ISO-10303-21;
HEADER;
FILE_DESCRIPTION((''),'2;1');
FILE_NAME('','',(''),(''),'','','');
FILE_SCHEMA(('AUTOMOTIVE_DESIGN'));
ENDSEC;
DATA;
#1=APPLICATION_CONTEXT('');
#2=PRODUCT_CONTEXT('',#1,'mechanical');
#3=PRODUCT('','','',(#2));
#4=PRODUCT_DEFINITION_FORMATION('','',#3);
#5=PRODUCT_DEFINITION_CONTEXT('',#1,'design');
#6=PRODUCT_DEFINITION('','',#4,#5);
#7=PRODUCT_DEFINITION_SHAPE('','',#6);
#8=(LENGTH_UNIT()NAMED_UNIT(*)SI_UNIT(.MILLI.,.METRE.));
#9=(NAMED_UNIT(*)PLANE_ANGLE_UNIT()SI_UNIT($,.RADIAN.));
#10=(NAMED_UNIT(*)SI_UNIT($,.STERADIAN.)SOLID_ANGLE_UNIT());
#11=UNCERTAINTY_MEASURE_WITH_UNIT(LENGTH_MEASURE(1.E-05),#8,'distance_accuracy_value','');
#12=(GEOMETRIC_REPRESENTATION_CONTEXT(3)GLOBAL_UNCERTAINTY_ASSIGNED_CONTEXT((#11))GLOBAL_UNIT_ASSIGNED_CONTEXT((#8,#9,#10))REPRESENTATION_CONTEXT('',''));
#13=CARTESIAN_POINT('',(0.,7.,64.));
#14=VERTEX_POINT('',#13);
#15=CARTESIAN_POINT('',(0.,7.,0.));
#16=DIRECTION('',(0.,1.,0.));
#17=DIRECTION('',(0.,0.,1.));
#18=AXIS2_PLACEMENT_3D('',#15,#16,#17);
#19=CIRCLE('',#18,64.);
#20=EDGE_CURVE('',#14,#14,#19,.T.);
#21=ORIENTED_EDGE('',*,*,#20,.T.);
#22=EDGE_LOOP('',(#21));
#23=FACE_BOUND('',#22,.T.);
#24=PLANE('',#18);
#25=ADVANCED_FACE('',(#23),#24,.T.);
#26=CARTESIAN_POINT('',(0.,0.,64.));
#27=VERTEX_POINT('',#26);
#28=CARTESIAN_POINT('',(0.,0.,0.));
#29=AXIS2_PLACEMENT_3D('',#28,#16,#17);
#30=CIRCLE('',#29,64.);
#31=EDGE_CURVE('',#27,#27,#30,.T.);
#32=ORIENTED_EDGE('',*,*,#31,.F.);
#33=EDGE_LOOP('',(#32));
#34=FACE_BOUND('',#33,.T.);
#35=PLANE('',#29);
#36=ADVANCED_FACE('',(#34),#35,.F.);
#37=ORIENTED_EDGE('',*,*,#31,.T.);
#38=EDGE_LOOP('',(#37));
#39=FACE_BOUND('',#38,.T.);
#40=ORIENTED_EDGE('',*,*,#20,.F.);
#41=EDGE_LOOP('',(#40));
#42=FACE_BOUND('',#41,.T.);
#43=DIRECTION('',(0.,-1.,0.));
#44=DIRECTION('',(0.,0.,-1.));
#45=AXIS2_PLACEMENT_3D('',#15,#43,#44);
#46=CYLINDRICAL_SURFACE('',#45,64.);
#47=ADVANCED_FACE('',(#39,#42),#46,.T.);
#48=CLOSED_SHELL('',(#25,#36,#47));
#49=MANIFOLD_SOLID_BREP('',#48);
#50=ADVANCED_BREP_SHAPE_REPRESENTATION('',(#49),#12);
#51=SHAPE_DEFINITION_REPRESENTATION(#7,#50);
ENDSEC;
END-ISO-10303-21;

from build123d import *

# Parameters (mm, degrees)
SKETCH1_R           = 64
BOSS_EXTRUDE1_DEPTH = 7


with BuildPart() as part:
    # Sketch1 → Boss-Extrude1 (new body)
    with BuildSketch(Plane(origin=(0, 0, 0), x_dir=(1, 0, 0), z_dir=(0, 1, 0))):
        Circle(SKETCH1_R)
    extrude(amount=BOSS_EXTRUDE1_DEPTH)


solid = part.part
